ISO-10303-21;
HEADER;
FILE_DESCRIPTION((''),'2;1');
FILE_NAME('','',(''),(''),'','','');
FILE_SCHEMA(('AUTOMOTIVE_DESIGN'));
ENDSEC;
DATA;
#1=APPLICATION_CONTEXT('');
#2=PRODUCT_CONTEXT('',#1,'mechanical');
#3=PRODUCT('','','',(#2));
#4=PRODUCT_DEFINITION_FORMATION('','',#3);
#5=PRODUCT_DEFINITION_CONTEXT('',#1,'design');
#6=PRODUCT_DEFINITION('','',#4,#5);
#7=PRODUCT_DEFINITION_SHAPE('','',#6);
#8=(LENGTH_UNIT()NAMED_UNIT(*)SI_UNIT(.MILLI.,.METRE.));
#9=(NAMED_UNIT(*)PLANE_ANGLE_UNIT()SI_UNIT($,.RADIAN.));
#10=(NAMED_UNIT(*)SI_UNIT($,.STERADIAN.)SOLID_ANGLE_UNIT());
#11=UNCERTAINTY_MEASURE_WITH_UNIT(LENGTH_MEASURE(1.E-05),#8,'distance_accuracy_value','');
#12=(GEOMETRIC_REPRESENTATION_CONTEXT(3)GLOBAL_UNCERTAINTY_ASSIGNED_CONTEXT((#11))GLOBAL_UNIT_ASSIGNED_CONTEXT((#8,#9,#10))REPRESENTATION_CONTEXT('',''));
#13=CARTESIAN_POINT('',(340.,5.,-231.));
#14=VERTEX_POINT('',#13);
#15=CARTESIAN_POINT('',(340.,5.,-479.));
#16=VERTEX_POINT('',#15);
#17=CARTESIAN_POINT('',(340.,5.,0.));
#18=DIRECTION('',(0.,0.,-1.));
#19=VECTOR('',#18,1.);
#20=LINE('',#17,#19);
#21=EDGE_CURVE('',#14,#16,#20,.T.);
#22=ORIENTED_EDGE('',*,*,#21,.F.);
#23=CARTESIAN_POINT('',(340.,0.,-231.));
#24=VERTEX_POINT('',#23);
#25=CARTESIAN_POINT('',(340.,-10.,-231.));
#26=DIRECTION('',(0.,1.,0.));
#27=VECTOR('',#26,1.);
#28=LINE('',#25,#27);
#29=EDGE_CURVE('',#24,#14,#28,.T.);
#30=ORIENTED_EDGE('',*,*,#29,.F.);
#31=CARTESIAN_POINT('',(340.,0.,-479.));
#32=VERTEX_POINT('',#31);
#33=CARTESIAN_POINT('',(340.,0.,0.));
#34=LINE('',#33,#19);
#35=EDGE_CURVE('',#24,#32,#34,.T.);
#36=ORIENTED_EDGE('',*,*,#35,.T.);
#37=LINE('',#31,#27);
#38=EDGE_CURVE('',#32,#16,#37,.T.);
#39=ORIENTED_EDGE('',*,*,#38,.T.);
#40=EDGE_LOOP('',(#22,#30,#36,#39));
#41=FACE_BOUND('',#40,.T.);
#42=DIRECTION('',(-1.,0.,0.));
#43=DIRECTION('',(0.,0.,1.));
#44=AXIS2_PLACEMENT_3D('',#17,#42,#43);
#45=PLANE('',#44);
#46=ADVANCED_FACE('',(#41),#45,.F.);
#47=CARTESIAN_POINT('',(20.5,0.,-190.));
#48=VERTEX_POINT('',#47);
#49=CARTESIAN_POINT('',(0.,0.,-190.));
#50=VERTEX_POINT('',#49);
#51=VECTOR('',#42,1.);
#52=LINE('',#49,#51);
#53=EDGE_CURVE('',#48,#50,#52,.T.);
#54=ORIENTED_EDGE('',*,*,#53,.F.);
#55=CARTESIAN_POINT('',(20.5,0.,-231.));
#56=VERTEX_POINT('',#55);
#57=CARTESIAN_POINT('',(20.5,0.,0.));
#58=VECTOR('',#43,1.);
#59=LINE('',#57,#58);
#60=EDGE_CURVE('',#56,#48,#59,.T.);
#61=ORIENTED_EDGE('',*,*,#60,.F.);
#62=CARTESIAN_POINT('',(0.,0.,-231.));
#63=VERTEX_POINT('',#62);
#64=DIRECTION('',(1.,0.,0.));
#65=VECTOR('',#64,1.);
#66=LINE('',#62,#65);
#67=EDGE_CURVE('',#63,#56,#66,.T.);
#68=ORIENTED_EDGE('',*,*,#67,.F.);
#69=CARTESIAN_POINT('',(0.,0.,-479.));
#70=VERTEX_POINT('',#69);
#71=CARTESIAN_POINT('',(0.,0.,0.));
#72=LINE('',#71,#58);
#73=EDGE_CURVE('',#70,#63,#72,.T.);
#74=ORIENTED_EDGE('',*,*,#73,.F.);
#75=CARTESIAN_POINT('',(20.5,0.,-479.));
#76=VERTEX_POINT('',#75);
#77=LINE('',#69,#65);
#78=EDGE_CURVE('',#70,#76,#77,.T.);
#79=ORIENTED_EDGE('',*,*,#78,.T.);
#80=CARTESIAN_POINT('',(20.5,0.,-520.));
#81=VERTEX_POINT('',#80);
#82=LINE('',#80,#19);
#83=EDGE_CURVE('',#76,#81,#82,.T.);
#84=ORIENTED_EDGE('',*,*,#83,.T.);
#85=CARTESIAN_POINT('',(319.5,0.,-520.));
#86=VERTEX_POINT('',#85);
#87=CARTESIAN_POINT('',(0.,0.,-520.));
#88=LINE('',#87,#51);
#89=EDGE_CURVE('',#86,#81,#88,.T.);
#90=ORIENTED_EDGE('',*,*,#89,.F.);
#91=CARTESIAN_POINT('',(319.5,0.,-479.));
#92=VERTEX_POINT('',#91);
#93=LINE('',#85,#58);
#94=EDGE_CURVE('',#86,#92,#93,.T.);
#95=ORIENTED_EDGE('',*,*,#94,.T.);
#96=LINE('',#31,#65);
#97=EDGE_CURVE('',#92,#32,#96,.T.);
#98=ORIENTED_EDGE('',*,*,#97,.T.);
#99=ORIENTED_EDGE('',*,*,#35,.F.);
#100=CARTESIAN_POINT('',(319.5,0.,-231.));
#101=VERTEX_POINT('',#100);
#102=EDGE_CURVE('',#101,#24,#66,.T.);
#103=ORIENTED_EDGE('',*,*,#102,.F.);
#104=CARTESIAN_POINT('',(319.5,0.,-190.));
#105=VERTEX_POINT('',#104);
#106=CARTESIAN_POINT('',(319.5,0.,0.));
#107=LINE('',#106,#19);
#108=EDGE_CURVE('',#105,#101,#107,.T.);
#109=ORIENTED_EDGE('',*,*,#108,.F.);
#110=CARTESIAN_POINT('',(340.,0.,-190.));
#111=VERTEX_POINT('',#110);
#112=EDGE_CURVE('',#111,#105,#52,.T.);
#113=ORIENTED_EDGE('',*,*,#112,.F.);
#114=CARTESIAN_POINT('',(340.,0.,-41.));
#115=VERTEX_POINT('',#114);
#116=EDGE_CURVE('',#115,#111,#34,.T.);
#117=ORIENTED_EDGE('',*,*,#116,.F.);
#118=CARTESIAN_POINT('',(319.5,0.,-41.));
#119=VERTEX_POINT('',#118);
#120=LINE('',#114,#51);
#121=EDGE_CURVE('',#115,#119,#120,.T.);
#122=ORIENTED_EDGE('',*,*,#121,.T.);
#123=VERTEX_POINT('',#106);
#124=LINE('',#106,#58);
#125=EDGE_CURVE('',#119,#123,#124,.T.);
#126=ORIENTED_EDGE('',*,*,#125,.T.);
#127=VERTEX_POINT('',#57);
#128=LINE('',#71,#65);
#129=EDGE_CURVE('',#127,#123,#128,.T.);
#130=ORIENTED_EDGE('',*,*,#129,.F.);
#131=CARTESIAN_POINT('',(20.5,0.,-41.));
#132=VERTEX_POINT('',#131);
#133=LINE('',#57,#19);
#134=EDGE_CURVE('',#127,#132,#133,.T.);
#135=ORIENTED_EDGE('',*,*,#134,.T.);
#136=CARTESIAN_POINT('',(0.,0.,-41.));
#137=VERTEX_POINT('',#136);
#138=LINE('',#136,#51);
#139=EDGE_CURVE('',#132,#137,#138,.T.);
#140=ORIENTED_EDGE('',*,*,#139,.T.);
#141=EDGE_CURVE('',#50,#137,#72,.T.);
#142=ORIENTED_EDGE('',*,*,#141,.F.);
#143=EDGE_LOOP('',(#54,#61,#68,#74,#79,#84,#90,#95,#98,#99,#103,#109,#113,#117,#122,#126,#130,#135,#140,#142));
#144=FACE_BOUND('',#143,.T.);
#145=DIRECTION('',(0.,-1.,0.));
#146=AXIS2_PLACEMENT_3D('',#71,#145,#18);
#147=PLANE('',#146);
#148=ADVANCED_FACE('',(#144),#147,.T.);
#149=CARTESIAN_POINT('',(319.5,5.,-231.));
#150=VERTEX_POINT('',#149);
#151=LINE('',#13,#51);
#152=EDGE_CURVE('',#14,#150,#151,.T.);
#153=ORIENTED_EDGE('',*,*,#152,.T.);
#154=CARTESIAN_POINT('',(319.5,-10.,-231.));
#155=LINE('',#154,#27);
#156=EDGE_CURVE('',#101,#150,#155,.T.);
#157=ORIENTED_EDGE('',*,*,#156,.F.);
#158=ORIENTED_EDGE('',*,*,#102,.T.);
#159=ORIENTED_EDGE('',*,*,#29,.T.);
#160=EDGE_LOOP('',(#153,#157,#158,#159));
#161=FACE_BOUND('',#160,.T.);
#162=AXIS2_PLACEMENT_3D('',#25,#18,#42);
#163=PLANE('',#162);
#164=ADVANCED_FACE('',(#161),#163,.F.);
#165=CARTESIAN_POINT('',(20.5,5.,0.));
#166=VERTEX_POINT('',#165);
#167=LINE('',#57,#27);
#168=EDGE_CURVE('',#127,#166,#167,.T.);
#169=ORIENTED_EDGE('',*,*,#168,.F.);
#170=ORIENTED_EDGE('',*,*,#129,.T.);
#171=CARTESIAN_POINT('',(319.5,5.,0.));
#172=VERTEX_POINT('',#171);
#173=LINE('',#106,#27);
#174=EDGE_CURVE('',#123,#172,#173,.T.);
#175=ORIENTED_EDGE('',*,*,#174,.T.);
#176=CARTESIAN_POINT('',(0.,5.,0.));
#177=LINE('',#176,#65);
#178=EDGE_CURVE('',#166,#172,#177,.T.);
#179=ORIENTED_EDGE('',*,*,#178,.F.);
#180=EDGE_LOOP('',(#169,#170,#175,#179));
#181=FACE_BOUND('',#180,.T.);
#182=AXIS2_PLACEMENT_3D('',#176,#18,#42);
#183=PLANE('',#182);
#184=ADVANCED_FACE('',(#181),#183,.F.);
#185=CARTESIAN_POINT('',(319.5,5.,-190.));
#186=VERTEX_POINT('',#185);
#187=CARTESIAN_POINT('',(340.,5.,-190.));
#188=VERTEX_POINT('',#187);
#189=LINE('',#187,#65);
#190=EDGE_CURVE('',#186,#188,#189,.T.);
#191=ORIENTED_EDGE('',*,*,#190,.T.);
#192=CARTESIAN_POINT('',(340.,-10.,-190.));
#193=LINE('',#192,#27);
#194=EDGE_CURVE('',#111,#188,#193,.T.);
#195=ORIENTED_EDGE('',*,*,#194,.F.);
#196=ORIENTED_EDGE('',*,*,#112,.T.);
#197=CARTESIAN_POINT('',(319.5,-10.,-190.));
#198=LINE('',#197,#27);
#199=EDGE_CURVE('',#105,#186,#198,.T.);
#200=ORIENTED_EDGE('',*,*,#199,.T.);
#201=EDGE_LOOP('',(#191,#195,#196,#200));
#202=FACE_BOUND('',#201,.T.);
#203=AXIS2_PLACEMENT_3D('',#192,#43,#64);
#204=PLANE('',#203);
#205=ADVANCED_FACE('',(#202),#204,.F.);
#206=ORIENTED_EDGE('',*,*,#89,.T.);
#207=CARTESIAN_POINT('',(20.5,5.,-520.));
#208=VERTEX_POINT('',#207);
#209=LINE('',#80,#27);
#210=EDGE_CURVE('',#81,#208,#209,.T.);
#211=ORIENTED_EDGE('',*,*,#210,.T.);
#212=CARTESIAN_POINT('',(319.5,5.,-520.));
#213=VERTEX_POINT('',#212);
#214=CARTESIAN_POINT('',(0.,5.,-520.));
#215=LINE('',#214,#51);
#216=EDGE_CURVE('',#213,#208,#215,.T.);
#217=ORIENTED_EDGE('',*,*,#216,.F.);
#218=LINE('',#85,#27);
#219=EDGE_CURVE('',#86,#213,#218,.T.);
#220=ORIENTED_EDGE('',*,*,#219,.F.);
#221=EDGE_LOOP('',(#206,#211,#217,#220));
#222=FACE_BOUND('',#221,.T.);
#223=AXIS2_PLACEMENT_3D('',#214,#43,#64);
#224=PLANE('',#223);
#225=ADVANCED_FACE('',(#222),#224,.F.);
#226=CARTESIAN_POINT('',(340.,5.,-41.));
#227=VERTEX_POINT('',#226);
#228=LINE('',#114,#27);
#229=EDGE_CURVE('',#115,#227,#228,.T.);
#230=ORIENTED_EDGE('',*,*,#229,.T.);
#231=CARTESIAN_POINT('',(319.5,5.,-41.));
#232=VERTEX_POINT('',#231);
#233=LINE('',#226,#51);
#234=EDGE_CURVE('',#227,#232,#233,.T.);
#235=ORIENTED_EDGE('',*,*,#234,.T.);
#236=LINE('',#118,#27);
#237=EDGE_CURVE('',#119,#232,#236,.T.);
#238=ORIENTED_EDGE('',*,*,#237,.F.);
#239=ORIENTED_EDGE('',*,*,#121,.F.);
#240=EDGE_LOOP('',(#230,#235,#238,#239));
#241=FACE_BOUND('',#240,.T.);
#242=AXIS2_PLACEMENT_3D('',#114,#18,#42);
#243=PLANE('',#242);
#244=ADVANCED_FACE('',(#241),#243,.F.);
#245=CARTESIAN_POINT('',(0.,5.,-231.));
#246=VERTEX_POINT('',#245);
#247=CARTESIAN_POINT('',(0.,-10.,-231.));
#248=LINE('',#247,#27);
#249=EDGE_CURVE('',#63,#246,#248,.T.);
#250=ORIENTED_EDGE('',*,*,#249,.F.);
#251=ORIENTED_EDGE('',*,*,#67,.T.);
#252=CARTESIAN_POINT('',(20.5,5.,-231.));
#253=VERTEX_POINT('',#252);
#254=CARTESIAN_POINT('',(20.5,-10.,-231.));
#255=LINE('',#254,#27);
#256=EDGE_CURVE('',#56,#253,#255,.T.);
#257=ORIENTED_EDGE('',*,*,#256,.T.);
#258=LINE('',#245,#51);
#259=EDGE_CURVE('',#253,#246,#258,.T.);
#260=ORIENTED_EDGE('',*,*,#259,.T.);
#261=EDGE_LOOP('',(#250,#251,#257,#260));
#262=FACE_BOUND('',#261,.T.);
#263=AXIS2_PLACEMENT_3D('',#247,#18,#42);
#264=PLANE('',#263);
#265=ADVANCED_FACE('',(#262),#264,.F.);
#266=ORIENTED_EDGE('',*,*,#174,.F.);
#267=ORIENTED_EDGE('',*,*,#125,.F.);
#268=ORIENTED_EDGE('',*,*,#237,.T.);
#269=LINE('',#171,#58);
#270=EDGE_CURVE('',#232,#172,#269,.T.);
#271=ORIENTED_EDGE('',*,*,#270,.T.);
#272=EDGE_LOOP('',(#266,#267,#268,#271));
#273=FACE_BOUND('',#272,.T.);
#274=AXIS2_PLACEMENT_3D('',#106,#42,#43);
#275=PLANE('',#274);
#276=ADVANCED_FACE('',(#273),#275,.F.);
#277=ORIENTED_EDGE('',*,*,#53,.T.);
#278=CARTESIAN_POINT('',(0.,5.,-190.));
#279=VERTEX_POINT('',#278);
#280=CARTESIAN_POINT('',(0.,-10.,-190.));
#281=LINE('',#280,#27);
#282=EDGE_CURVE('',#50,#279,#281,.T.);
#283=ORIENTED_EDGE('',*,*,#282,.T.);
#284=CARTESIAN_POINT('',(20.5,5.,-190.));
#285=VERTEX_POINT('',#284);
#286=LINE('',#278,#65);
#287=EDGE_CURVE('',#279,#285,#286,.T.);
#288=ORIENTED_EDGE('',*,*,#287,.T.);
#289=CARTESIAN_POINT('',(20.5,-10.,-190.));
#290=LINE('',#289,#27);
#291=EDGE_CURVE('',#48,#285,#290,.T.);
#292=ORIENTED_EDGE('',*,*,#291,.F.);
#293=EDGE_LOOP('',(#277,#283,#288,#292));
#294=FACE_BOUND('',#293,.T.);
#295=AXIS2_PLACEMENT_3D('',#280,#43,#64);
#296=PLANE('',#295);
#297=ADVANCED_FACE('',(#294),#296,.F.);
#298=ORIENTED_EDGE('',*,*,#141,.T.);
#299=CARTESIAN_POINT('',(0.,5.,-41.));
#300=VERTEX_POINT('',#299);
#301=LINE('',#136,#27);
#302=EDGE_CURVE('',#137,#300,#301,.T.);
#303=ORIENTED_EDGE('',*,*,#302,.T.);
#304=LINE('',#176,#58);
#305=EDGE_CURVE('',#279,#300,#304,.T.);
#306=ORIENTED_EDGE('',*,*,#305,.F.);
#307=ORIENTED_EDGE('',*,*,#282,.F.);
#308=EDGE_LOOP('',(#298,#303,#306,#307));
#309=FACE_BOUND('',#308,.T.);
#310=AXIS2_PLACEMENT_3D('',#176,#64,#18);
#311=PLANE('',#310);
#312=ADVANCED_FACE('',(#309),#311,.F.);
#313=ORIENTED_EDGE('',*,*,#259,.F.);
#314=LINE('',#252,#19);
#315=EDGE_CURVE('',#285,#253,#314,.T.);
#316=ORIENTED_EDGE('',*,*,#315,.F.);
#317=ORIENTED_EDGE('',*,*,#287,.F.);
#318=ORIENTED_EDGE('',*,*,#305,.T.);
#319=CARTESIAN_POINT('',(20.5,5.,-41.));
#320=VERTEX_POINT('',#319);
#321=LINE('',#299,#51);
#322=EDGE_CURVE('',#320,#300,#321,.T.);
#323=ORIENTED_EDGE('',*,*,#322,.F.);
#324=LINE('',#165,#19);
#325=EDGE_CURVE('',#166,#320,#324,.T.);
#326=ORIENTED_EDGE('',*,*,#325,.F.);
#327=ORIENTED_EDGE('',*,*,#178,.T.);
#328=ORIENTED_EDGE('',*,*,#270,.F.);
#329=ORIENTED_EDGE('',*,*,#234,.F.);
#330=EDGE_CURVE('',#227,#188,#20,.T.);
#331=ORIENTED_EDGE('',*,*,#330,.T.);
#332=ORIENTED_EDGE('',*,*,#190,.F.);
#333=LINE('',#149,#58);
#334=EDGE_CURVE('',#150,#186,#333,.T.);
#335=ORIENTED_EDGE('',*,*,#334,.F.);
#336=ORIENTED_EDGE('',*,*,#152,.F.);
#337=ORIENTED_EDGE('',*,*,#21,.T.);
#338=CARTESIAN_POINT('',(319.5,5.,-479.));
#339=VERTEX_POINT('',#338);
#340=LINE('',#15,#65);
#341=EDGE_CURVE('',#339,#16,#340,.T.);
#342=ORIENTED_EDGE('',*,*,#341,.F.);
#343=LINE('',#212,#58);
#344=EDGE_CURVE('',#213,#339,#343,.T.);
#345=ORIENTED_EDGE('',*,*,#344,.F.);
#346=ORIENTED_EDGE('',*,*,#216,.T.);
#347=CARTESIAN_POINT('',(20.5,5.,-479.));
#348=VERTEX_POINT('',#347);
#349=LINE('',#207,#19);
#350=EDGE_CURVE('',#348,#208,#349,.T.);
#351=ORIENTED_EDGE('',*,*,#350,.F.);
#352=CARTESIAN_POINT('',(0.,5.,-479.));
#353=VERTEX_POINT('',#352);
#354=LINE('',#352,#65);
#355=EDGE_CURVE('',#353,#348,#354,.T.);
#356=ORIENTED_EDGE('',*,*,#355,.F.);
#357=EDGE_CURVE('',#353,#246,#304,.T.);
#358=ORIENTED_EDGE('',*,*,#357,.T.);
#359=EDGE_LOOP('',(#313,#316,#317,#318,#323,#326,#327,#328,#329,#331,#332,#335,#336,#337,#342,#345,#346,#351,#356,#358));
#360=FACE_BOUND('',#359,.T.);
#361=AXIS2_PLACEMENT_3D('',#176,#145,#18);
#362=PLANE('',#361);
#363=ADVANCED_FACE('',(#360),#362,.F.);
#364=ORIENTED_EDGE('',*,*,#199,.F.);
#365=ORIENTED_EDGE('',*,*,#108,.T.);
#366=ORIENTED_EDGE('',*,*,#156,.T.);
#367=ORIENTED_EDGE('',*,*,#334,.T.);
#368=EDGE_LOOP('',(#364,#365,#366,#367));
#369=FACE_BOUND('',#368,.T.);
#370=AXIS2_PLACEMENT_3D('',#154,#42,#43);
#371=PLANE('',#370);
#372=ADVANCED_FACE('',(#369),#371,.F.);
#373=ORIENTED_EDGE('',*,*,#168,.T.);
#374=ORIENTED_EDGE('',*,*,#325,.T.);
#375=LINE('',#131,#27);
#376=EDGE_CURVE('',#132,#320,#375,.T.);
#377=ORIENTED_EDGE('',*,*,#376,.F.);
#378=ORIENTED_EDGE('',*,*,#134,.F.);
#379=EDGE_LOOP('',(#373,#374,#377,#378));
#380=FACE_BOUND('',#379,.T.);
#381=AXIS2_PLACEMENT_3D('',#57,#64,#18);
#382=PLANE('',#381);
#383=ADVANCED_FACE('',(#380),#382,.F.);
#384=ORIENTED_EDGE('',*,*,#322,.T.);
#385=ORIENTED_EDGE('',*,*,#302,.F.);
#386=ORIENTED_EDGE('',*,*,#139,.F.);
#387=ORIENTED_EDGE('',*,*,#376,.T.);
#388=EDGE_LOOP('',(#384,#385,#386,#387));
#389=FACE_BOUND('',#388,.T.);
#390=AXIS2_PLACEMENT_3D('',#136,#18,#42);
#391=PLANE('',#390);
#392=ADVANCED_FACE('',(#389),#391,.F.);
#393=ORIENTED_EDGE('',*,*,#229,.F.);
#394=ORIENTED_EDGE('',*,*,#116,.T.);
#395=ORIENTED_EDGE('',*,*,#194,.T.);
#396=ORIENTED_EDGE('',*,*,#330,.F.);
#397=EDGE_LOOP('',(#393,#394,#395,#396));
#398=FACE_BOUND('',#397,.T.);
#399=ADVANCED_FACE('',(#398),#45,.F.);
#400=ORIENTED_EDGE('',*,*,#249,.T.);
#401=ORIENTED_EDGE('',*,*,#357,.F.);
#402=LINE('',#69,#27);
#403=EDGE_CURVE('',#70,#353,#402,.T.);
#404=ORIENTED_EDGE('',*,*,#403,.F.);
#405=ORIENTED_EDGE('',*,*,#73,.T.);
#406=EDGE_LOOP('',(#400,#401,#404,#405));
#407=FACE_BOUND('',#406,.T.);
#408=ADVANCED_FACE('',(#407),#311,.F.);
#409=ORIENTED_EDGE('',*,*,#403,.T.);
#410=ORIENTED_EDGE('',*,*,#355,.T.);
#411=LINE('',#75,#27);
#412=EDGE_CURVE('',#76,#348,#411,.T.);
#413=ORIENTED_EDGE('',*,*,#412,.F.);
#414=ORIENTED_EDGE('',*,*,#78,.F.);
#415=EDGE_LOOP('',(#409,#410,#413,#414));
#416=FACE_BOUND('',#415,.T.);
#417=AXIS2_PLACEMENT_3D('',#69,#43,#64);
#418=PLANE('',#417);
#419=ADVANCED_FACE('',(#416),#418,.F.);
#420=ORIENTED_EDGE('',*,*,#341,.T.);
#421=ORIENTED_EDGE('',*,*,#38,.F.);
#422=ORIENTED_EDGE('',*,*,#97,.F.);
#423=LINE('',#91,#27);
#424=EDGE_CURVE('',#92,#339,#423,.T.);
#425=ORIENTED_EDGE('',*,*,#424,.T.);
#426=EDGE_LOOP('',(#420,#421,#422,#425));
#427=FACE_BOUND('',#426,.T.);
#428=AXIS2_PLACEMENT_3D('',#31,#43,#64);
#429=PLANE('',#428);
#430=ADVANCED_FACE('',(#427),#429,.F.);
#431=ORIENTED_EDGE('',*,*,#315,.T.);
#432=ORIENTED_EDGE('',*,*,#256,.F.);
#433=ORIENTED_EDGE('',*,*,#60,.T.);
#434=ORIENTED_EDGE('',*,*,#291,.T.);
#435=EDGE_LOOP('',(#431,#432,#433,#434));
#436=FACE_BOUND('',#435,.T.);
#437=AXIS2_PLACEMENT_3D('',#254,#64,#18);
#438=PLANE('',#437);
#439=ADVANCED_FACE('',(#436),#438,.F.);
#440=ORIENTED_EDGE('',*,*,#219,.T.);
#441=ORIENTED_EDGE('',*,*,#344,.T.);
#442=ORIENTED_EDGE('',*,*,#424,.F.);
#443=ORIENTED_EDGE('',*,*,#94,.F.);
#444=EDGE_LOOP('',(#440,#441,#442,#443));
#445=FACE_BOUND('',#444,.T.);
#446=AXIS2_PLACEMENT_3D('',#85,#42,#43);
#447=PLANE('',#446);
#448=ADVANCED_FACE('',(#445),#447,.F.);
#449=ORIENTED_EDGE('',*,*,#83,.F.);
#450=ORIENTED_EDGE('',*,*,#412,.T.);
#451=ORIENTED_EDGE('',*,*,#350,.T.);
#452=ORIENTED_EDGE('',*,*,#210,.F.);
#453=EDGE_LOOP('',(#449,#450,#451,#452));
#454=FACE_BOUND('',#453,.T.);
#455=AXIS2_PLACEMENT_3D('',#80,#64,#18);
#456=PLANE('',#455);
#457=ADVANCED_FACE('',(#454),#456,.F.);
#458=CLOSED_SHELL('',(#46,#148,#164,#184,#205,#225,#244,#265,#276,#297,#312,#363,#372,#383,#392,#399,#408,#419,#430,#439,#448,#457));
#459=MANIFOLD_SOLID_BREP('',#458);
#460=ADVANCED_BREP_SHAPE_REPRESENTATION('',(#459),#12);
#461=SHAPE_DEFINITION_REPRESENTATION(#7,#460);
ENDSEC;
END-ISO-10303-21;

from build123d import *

# Parameters (mm, degrees)
SKETCH_1_W          = 340
SKETCH_1_H          = 520
EXTRUDE_1_DEPTH     = 5
SKETCH_2_W          = 20.5
SKETCH_2_H          = 41
CUT_EXTRUDE_1_DEPTH = 622.309101816
SKETCH_3_W          = 20.5
SKETCH_3_H          = 41
CUT_EXTRUDE_2_DEPTH = 15


with BuildPart() as part:
    # 스케치1 → 보스-돌출1 (new body)
    with BuildSketch(Plane(origin=(0, 0, 0), x_dir=(1, 0, 0), z_dir=(0, 1, 0))):
        with Locations((170, 260)):
            Rectangle(SKETCH_1_W, SKETCH_1_H)
    extrude(amount=EXTRUDE_1_DEPTH)

    # 스케치2 → 컷-돌출1 (cut, through all)
    with BuildSketch(Plane(origin=(0, 5, 0), x_dir=(1, 0, 0), z_dir=(0, 1, 0))):
        with Locations((329.75, 499.5)):
            Rectangle(SKETCH_2_W, SKETCH_2_H)
        with Locations((329.75, 20.5)):
            Rectangle(SKETCH_2_W, SKETCH_2_H)
        with Locations((10.25, 20.5)):
            Rectangle(SKETCH_2_W, SKETCH_2_H)
        with Locations((10.25, 499.5)):
            Rectangle(SKETCH_2_W, SKETCH_2_H)
    extrude(amount=-CUT_EXTRUDE_1_DEPTH, mode=Mode.SUBTRACT)

    # 스케치3 → 컷-돌출2 (cut)
    with BuildSketch(Plane(origin=(0, 5, 0), x_dir=(1, 0, 0), z_dir=(0, 1, 0))):
        with Locations((329.75, 210.5)):
            Rectangle(SKETCH_3_W, SKETCH_3_H)
        with Locations((10.25, 210.5)):
            Rectangle(SKETCH_3_W, SKETCH_3_H)
    extrude(amount=-CUT_EXTRUDE_2_DEPTH, mode=Mode.SUBTRACT)


solid = part.part
